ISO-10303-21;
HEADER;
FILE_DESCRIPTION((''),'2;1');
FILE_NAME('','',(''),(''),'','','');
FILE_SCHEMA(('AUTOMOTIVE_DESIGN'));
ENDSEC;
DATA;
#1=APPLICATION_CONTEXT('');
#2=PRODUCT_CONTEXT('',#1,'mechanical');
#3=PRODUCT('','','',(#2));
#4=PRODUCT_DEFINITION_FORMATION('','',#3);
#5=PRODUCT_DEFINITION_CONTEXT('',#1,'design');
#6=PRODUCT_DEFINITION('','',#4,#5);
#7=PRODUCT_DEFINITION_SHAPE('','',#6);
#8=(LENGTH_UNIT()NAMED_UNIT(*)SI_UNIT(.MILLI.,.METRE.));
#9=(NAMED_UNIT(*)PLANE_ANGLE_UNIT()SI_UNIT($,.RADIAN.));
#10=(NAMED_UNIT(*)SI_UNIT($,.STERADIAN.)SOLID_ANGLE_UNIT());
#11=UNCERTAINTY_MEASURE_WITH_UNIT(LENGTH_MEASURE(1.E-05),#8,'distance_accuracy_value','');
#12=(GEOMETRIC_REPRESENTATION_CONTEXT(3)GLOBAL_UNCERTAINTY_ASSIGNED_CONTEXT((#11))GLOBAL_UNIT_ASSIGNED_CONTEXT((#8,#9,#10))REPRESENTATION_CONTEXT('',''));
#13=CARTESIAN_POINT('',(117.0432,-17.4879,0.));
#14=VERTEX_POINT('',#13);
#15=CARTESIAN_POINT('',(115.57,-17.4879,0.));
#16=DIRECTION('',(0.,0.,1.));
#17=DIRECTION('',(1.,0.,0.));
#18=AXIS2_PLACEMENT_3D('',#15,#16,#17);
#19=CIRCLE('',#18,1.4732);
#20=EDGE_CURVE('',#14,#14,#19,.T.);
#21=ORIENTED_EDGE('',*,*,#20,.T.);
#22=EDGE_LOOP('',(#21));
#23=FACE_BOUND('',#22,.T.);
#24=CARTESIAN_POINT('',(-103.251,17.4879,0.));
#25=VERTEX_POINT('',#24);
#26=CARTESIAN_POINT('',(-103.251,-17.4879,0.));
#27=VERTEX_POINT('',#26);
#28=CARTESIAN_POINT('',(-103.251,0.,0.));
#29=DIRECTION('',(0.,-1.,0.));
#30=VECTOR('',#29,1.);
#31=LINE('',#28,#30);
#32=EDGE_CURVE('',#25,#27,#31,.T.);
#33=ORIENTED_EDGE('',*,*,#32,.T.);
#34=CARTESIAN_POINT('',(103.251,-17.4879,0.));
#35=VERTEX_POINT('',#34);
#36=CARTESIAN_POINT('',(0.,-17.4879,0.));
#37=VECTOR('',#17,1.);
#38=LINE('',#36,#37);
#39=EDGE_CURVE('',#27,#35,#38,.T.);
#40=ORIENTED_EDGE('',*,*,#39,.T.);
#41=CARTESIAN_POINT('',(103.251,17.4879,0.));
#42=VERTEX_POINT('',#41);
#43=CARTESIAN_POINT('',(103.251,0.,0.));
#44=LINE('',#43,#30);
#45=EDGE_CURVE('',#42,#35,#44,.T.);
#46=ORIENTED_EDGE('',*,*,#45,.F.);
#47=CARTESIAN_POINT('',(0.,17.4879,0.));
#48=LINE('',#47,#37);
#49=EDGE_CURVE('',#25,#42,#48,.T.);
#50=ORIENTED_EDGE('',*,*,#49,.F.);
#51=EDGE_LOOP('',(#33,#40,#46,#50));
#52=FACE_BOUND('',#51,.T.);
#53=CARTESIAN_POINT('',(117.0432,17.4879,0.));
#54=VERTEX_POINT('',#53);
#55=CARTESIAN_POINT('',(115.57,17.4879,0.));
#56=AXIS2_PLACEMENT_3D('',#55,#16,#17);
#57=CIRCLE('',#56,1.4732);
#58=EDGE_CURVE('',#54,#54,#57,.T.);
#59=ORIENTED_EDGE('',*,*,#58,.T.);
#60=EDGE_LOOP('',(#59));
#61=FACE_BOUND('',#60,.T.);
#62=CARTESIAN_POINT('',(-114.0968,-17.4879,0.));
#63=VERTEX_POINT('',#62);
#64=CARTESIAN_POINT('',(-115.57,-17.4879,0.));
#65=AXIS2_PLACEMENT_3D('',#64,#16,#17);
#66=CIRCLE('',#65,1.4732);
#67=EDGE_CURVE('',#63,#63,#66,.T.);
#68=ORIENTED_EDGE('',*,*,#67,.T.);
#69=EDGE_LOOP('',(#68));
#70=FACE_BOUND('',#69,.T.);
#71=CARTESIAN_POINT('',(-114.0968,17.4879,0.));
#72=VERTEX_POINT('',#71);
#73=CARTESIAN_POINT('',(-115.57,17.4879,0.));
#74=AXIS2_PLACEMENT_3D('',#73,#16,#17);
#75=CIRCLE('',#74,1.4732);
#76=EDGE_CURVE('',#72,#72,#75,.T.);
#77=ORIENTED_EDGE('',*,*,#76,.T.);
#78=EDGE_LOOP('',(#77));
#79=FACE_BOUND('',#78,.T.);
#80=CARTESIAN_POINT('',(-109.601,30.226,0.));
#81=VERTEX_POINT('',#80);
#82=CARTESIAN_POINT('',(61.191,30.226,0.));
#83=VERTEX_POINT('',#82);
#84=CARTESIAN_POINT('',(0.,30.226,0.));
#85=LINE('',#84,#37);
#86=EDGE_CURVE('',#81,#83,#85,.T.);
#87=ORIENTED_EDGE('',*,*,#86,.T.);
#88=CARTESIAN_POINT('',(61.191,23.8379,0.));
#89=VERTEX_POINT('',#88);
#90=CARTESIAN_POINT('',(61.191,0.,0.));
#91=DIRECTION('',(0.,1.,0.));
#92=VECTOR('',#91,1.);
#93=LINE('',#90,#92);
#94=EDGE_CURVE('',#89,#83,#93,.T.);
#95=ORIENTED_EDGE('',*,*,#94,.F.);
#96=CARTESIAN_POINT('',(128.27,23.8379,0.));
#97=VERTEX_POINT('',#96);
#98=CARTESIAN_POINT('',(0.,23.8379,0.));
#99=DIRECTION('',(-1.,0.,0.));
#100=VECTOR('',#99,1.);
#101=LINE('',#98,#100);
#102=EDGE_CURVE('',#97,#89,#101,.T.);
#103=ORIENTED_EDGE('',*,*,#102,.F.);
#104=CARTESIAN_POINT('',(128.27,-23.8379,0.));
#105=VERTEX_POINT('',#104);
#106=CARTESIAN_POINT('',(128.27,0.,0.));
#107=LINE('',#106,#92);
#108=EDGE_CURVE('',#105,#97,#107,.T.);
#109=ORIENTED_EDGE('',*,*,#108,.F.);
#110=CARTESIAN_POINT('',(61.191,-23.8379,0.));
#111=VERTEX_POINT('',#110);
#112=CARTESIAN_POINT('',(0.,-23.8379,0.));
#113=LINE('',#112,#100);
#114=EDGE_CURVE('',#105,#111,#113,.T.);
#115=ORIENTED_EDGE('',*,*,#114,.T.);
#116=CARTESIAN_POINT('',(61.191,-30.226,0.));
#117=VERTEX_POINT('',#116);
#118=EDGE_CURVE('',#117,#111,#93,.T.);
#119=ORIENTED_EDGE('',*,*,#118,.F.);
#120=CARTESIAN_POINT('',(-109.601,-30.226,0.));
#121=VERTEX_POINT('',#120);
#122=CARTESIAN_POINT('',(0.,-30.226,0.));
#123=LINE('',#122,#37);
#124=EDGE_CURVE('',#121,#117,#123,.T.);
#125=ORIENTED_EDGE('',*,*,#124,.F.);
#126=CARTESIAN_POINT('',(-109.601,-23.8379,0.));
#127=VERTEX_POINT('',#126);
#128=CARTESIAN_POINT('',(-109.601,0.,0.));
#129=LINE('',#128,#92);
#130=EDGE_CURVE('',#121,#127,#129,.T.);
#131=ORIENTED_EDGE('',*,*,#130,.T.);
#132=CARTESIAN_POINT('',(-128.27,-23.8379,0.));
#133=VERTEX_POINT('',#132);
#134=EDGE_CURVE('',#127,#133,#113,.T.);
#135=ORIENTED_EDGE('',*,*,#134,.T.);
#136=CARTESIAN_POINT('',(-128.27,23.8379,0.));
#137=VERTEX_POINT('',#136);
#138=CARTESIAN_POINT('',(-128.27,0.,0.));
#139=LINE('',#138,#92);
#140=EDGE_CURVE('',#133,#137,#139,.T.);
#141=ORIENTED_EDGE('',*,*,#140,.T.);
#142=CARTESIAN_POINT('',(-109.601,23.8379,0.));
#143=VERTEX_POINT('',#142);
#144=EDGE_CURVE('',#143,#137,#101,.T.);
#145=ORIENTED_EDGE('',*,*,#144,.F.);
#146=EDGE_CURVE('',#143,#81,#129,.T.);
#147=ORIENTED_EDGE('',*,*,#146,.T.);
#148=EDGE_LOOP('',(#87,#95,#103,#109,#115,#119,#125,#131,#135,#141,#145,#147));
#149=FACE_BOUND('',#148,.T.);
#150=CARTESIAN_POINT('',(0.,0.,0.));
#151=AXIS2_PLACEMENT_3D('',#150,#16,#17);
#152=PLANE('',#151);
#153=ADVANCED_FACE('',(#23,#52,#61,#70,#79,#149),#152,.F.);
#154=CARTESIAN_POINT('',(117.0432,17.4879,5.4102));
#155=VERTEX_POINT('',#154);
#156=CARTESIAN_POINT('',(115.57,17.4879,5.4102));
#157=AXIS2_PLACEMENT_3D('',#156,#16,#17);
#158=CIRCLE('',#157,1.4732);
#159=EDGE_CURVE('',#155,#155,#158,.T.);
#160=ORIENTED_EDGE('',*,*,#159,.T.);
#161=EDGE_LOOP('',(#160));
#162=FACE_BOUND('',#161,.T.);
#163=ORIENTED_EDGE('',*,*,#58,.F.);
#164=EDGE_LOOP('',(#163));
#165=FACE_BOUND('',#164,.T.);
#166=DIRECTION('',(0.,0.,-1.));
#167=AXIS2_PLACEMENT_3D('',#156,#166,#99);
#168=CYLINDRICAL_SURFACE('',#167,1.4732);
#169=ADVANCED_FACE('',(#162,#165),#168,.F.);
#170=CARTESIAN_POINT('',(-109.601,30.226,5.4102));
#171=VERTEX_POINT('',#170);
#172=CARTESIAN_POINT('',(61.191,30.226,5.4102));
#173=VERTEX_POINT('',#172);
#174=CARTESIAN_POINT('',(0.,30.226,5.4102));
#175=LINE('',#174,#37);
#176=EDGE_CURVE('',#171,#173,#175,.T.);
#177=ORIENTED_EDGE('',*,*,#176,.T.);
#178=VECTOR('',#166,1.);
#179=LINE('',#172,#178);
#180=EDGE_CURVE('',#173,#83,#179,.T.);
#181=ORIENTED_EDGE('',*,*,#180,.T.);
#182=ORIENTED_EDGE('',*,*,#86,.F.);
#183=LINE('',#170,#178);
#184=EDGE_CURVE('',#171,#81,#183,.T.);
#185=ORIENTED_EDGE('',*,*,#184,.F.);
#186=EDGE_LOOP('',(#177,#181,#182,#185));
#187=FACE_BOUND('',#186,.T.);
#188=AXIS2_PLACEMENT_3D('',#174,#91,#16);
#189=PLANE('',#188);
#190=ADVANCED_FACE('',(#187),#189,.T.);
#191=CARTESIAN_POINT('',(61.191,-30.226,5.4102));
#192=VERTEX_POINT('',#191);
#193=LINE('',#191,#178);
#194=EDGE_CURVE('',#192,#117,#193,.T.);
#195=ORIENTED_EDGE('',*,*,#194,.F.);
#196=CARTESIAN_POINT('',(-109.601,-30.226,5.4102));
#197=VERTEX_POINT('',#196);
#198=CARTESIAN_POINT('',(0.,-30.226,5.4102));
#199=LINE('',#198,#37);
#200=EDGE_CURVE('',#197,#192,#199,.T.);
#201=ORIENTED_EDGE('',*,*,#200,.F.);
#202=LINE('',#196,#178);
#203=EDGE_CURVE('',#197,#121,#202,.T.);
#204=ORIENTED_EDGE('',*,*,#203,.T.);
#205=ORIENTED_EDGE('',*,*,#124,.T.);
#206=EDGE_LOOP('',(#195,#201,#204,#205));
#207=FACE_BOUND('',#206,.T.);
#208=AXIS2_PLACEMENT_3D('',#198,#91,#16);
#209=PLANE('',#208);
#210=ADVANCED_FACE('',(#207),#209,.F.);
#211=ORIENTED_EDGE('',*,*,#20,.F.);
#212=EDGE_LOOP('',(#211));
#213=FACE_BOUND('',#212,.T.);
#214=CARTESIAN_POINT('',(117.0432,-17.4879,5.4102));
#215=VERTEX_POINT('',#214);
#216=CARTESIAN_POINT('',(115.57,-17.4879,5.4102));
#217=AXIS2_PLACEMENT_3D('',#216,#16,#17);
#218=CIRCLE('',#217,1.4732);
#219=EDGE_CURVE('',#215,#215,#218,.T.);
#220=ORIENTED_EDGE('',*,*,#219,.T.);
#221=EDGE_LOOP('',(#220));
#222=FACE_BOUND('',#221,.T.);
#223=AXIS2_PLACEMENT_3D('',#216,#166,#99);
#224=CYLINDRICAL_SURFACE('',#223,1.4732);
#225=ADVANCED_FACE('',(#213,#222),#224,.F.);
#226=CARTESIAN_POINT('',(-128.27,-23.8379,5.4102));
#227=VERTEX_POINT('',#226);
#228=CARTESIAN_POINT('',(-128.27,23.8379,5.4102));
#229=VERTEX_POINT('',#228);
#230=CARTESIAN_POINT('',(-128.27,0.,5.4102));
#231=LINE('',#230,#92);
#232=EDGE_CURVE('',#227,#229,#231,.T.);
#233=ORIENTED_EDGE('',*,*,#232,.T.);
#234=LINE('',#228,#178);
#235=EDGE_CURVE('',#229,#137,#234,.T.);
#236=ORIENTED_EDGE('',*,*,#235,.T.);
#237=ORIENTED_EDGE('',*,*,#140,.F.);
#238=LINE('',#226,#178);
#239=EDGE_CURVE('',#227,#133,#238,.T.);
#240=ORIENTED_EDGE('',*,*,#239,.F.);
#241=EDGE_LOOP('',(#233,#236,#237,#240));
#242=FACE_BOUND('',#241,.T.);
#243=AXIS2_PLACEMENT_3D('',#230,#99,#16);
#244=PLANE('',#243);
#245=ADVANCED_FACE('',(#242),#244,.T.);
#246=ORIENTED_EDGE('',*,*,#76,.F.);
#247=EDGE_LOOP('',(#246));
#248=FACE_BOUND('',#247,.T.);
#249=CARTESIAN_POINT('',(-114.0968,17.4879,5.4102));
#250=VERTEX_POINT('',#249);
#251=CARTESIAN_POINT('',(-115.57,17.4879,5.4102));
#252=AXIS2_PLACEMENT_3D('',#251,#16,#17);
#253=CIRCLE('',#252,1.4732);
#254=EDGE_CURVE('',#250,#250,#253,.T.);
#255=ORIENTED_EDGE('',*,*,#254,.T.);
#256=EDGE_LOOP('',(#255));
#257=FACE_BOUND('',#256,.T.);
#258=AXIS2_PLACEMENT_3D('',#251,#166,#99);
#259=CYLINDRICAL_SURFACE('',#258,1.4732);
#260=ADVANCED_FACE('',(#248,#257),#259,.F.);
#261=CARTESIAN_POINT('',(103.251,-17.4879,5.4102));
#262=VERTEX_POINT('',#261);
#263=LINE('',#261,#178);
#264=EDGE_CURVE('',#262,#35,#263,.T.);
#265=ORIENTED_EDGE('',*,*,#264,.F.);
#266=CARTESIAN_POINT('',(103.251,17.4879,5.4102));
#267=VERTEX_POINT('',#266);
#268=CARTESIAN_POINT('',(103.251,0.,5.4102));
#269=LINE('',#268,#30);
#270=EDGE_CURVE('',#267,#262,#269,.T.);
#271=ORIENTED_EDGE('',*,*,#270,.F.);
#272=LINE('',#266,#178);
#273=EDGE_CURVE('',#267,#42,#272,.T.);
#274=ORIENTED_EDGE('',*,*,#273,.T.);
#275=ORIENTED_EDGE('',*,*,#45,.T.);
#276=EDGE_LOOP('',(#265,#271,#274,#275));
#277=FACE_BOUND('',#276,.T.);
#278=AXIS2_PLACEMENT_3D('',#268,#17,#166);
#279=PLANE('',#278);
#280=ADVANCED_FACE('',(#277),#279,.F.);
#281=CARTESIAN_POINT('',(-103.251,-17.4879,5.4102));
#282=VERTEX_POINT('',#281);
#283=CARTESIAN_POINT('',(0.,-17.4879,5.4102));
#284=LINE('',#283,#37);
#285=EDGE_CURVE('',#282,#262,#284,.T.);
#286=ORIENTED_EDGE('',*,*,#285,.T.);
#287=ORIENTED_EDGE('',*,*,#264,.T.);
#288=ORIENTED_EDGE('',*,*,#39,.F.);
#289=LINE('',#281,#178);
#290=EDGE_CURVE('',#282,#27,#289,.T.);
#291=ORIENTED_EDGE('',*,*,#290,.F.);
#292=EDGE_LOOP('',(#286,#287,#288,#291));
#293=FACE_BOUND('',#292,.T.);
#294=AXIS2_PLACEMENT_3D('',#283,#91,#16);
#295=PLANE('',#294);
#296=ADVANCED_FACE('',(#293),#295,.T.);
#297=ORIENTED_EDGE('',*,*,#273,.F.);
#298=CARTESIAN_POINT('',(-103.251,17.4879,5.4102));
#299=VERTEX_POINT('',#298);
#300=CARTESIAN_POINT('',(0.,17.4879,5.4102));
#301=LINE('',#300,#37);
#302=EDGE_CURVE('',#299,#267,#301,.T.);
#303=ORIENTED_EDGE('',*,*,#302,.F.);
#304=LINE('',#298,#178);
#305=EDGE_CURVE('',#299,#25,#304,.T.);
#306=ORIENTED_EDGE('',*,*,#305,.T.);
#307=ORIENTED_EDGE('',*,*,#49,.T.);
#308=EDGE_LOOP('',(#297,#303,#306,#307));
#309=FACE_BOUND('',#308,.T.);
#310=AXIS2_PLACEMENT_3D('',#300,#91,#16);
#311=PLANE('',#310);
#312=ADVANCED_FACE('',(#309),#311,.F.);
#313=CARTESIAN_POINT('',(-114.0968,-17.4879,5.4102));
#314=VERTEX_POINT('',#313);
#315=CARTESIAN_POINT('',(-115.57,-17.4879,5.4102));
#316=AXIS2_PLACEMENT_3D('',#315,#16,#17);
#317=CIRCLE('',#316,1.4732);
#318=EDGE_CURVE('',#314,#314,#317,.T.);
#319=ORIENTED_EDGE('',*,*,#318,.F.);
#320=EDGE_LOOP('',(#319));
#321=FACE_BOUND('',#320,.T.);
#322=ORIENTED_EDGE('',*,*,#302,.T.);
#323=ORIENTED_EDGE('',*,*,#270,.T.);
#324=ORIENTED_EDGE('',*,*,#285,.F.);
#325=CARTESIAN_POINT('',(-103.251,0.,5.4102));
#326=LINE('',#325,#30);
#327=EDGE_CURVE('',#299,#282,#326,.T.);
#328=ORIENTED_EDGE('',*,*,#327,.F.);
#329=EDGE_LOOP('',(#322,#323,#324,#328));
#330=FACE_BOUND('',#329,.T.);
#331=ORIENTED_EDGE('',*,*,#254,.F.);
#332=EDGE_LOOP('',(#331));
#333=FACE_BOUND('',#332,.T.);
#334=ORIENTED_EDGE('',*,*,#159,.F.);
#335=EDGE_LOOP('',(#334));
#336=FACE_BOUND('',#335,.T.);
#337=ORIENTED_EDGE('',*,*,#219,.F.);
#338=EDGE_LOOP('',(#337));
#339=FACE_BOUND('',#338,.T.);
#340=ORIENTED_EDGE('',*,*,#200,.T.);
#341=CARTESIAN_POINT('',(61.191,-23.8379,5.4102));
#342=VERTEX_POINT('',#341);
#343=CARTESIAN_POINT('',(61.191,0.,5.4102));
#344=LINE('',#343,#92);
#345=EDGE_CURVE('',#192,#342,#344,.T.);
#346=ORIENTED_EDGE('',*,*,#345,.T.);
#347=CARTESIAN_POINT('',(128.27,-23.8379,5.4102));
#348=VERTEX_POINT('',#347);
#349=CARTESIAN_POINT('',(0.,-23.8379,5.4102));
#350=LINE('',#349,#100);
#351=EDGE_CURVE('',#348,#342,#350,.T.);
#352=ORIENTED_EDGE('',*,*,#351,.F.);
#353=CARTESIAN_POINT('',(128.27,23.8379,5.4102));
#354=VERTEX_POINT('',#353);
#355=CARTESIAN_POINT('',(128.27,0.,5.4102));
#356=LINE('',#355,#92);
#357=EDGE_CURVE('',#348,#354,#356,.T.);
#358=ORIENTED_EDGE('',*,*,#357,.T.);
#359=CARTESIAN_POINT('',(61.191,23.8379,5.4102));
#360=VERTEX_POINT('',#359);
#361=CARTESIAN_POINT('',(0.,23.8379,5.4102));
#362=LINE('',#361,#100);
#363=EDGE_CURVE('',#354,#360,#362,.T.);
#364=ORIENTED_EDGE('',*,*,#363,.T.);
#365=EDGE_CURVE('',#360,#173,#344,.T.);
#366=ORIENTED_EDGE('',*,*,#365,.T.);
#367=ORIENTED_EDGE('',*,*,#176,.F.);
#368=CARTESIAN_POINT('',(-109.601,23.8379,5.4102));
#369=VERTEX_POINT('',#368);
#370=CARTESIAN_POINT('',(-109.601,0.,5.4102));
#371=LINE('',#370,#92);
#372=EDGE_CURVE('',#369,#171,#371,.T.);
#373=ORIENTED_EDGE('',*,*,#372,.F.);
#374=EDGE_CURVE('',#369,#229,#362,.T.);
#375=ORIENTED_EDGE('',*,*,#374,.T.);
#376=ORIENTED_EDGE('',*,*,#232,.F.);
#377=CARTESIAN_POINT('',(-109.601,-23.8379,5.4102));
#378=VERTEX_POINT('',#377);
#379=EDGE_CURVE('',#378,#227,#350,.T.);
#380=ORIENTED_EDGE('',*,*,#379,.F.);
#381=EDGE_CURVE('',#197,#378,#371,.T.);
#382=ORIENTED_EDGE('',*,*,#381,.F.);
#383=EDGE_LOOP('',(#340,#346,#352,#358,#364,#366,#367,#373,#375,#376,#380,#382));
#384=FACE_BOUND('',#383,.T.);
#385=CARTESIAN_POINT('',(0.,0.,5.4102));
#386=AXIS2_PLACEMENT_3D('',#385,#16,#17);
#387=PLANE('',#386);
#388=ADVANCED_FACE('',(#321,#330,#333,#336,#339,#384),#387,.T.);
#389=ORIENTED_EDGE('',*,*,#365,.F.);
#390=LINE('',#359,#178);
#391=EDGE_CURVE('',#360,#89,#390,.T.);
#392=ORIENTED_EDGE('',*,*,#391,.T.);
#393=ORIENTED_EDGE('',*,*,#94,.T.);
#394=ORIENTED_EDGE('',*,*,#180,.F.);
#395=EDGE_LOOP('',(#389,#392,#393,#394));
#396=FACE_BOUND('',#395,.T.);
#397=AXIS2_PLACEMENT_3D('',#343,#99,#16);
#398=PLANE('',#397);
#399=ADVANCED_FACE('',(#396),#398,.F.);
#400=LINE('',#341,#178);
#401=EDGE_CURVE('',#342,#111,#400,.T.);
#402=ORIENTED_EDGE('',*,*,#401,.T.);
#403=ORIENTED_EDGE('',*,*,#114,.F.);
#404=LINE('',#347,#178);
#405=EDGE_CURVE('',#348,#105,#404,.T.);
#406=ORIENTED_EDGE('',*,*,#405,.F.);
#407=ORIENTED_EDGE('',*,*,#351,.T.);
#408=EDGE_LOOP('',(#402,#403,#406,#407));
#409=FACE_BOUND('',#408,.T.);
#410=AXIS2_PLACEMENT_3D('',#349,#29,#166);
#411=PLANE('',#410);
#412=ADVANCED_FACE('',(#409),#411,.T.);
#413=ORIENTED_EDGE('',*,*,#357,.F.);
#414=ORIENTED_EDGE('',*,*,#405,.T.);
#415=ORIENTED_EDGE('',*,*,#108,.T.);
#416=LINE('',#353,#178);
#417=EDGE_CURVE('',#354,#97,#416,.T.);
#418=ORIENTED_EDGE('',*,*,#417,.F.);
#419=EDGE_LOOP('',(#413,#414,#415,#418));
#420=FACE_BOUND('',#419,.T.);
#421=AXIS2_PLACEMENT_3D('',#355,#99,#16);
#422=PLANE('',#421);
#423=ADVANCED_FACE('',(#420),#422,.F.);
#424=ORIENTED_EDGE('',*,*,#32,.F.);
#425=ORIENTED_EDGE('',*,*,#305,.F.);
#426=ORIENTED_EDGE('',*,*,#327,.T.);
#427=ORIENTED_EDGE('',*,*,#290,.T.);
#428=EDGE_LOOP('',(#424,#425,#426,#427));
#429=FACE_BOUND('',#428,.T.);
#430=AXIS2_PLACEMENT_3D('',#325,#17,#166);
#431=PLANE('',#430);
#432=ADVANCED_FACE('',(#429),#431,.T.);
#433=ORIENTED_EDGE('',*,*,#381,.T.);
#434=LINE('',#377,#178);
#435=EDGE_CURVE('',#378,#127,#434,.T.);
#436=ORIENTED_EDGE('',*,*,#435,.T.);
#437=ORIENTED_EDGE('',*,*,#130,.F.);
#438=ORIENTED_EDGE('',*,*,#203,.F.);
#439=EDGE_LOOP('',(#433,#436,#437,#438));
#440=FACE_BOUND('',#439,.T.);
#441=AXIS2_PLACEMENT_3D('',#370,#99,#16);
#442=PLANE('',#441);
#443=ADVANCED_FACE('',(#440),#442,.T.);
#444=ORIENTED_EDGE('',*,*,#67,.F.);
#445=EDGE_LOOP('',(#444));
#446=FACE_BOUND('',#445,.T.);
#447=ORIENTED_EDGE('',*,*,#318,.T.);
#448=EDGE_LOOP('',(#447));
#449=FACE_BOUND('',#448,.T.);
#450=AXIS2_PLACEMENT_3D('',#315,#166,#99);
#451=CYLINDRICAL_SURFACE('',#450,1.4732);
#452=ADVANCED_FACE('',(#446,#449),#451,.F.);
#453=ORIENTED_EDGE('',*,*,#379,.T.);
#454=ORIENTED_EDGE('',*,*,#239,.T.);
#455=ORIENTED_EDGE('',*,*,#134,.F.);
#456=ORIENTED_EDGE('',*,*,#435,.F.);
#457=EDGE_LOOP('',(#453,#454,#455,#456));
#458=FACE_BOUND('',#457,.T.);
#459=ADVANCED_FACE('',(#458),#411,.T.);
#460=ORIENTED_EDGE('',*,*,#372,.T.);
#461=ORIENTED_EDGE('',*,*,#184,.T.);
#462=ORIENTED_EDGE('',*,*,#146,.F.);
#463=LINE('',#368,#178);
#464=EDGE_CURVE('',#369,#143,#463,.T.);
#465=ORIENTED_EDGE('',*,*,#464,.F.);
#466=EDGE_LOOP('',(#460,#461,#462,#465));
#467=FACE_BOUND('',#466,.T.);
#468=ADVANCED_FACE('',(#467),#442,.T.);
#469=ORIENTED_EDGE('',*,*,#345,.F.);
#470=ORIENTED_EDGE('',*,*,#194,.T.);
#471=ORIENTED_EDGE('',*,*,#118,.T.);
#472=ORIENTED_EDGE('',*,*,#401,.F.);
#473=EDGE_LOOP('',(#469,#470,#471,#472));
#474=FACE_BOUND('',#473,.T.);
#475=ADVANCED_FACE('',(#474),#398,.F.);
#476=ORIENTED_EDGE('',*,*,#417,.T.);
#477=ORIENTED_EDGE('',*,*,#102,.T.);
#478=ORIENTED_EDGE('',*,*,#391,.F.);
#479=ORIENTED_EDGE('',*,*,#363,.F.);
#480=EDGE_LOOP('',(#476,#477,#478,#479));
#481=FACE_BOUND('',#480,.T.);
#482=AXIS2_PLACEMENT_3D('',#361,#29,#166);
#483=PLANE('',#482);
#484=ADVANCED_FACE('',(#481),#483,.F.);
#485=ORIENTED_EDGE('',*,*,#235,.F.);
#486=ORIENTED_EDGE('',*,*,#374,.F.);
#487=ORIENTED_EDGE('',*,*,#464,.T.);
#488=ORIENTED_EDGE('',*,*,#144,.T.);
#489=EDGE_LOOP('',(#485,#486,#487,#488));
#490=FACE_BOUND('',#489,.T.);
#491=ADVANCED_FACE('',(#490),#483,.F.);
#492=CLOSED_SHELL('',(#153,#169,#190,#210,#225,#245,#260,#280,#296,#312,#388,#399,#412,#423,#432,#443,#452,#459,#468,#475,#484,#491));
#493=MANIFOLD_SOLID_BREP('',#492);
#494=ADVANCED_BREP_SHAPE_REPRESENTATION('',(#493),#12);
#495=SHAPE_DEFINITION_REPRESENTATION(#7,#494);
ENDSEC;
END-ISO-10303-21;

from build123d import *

# Parameters (mm, degrees)
SKETCH1_W           = 206.502
SKETCH1_H           = 34.9758
SKETCH1_R           = 1.4732
BOSS_EXTRUDE1_DEPTH = 5.4102


with BuildPart() as part:
    # Sketch1 → Boss-Extrude1 (new body)
    with BuildSketch(Plane.XY):
        Polygon((61.191000046, 23.8379), (61.191000046, 30.226), (-109.601, 30.226), (-109.601, 23.8379), (-128.27, 23.8379), (-128.27, -23.8379), (-109.601, -23.8379), (-109.601, -30.226), (61.191000046, -30.226), (61.191000046, -23.8379), (128.27, -23.8379), (128.27, 23.8379), align=None)
        Rectangle(SKETCH1_W, SKETCH1_H, mode=Mode.SUBTRACT)
        with Locations((-115.57, 17.4879)):
            Circle(SKETCH1_R, mode=Mode.SUBTRACT)
        with Locations((-115.57, -17.4879)):
            Circle(SKETCH1_R, mode=Mode.SUBTRACT)
        with Locations((115.57, -17.4879)):
            Circle(SKETCH1_R, mode=Mode.SUBTRACT)
        with Locations((115.57, 17.4879)):
            Circle(SKETCH1_R, mode=Mode.SUBTRACT)
    extrude(amount=BOSS_EXTRUDE1_DEPTH)


solid = part.part
